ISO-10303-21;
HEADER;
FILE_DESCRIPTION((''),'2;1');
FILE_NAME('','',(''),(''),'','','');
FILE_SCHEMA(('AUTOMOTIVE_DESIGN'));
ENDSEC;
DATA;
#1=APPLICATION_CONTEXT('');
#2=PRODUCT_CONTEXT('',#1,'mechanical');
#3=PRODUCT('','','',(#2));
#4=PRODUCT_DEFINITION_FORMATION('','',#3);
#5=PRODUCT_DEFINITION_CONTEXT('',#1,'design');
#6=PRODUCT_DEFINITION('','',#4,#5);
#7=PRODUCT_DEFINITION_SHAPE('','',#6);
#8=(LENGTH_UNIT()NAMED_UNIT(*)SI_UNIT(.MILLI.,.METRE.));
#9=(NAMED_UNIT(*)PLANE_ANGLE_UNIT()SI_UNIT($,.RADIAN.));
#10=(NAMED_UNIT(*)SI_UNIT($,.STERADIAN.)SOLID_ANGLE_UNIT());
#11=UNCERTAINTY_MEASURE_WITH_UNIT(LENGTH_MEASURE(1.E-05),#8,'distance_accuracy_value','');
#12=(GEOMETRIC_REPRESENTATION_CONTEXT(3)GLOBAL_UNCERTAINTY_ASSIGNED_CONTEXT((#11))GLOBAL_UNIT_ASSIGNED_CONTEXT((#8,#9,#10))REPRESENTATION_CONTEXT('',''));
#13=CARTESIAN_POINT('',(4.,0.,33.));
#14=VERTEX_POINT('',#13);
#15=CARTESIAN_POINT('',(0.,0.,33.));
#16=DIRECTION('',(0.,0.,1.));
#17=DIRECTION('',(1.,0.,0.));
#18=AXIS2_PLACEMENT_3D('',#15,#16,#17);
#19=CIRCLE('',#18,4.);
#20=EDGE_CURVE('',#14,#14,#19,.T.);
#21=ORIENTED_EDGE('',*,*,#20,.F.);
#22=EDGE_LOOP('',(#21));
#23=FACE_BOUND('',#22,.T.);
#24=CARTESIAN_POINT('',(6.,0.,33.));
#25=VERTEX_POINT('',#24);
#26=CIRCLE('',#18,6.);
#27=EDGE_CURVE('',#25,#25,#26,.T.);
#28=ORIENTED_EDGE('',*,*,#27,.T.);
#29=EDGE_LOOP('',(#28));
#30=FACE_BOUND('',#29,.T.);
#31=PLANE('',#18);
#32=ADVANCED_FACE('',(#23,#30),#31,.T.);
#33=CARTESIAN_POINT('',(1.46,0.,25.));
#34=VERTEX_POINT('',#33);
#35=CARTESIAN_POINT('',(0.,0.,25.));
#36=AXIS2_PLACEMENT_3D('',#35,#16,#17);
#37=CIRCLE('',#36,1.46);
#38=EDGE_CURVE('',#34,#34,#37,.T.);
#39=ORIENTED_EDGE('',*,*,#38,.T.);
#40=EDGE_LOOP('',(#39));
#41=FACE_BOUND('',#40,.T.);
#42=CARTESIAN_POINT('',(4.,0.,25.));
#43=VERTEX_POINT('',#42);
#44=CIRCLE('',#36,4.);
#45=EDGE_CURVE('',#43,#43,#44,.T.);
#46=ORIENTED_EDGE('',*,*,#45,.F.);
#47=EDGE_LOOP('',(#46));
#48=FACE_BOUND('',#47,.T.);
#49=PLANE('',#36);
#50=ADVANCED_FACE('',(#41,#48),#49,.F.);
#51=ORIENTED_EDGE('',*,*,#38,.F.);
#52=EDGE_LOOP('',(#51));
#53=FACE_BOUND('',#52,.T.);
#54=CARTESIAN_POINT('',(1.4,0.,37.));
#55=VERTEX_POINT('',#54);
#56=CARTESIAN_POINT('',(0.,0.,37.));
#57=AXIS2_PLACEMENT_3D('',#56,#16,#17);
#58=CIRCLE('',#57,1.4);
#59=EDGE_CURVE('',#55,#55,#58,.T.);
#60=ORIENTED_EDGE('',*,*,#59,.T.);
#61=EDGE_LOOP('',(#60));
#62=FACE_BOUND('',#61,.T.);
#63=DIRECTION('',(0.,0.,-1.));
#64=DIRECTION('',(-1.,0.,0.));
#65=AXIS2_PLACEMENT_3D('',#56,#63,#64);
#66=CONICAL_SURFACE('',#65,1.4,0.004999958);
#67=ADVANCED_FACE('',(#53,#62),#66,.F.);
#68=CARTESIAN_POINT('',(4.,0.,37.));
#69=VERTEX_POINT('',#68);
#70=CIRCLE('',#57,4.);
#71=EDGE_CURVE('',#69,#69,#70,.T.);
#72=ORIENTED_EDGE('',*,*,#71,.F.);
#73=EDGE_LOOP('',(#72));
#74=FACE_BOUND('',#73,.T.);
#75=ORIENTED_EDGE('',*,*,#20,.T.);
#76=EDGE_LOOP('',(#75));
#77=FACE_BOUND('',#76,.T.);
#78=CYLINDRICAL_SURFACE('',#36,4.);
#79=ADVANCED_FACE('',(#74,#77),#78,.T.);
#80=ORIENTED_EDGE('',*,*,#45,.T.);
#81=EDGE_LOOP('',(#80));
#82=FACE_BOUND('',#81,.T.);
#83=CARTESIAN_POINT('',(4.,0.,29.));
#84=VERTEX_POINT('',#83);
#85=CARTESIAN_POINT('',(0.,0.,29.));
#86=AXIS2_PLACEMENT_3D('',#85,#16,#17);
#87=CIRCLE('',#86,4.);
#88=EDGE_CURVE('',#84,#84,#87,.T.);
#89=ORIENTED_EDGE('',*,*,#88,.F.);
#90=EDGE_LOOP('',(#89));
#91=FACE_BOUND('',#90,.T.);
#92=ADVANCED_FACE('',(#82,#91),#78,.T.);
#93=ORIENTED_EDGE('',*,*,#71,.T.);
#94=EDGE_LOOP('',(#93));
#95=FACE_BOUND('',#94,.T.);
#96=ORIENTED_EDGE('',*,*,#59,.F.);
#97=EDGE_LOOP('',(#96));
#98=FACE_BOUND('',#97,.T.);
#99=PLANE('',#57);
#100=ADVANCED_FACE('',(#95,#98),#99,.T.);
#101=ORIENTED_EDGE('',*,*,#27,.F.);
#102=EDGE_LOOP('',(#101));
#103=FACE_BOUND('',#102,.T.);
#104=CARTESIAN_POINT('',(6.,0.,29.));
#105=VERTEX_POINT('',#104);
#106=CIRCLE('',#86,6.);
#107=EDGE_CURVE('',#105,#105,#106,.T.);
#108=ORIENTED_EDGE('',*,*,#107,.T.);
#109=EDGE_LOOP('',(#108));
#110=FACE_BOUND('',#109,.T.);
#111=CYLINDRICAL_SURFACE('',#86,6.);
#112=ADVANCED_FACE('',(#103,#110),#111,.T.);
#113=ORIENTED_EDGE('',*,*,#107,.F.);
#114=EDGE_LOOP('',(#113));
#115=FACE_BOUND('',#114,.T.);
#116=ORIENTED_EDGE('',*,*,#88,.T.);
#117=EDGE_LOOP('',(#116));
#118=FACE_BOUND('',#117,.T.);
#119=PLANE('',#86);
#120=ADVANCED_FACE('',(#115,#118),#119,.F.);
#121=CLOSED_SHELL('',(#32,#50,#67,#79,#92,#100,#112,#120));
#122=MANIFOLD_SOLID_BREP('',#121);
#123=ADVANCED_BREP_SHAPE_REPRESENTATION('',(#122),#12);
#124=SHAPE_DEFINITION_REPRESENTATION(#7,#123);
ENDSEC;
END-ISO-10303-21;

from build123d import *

# Parameters (mm, degrees)
SKETCH1_R                = 6
BOSS_EXTRUDE1_DEPTH      = 4
BOSS_EXTRUDE2_DEPTH      = 4
BOSS_EXTRUDE2_DEPTH_BACK = 8
SKETCH2_R                = 4
SKETCH8_R                = 1.4
SKETCH6_R                = 1.46


with BuildPart() as part:
    # Sketch1 → Boss-Extrude1 (new body)
    with BuildSketch(Plane.XY.offset(33)):
        Circle(SKETCH1_R)
    extrude(amount=-BOSS_EXTRUDE1_DEPTH)

    # Sketch2 → Boss-Extrude2 (add, two sides: drawn at the far end of the back side and taken through both)
    with BuildSketch(Plane.XY.offset(33).offset(-BOSS_EXTRUDE2_DEPTH_BACK)):
        Circle(SKETCH2_R)
    extrude(amount=BOSS_EXTRUDE2_DEPTH + BOSS_EXTRUDE2_DEPTH_BACK)

    # Sketch8 → Cut-Loft2 section 0
    with BuildSketch(Plane.XY.offset(37)):
        Circle(SKETCH8_R)
    # Sketch6 → Cut-Loft2 section 1
    with BuildSketch(Plane.XY.offset(25)):
        Circle(SKETCH6_R)
    loft(mode=Mode.SUBTRACT)


solid = part.part
